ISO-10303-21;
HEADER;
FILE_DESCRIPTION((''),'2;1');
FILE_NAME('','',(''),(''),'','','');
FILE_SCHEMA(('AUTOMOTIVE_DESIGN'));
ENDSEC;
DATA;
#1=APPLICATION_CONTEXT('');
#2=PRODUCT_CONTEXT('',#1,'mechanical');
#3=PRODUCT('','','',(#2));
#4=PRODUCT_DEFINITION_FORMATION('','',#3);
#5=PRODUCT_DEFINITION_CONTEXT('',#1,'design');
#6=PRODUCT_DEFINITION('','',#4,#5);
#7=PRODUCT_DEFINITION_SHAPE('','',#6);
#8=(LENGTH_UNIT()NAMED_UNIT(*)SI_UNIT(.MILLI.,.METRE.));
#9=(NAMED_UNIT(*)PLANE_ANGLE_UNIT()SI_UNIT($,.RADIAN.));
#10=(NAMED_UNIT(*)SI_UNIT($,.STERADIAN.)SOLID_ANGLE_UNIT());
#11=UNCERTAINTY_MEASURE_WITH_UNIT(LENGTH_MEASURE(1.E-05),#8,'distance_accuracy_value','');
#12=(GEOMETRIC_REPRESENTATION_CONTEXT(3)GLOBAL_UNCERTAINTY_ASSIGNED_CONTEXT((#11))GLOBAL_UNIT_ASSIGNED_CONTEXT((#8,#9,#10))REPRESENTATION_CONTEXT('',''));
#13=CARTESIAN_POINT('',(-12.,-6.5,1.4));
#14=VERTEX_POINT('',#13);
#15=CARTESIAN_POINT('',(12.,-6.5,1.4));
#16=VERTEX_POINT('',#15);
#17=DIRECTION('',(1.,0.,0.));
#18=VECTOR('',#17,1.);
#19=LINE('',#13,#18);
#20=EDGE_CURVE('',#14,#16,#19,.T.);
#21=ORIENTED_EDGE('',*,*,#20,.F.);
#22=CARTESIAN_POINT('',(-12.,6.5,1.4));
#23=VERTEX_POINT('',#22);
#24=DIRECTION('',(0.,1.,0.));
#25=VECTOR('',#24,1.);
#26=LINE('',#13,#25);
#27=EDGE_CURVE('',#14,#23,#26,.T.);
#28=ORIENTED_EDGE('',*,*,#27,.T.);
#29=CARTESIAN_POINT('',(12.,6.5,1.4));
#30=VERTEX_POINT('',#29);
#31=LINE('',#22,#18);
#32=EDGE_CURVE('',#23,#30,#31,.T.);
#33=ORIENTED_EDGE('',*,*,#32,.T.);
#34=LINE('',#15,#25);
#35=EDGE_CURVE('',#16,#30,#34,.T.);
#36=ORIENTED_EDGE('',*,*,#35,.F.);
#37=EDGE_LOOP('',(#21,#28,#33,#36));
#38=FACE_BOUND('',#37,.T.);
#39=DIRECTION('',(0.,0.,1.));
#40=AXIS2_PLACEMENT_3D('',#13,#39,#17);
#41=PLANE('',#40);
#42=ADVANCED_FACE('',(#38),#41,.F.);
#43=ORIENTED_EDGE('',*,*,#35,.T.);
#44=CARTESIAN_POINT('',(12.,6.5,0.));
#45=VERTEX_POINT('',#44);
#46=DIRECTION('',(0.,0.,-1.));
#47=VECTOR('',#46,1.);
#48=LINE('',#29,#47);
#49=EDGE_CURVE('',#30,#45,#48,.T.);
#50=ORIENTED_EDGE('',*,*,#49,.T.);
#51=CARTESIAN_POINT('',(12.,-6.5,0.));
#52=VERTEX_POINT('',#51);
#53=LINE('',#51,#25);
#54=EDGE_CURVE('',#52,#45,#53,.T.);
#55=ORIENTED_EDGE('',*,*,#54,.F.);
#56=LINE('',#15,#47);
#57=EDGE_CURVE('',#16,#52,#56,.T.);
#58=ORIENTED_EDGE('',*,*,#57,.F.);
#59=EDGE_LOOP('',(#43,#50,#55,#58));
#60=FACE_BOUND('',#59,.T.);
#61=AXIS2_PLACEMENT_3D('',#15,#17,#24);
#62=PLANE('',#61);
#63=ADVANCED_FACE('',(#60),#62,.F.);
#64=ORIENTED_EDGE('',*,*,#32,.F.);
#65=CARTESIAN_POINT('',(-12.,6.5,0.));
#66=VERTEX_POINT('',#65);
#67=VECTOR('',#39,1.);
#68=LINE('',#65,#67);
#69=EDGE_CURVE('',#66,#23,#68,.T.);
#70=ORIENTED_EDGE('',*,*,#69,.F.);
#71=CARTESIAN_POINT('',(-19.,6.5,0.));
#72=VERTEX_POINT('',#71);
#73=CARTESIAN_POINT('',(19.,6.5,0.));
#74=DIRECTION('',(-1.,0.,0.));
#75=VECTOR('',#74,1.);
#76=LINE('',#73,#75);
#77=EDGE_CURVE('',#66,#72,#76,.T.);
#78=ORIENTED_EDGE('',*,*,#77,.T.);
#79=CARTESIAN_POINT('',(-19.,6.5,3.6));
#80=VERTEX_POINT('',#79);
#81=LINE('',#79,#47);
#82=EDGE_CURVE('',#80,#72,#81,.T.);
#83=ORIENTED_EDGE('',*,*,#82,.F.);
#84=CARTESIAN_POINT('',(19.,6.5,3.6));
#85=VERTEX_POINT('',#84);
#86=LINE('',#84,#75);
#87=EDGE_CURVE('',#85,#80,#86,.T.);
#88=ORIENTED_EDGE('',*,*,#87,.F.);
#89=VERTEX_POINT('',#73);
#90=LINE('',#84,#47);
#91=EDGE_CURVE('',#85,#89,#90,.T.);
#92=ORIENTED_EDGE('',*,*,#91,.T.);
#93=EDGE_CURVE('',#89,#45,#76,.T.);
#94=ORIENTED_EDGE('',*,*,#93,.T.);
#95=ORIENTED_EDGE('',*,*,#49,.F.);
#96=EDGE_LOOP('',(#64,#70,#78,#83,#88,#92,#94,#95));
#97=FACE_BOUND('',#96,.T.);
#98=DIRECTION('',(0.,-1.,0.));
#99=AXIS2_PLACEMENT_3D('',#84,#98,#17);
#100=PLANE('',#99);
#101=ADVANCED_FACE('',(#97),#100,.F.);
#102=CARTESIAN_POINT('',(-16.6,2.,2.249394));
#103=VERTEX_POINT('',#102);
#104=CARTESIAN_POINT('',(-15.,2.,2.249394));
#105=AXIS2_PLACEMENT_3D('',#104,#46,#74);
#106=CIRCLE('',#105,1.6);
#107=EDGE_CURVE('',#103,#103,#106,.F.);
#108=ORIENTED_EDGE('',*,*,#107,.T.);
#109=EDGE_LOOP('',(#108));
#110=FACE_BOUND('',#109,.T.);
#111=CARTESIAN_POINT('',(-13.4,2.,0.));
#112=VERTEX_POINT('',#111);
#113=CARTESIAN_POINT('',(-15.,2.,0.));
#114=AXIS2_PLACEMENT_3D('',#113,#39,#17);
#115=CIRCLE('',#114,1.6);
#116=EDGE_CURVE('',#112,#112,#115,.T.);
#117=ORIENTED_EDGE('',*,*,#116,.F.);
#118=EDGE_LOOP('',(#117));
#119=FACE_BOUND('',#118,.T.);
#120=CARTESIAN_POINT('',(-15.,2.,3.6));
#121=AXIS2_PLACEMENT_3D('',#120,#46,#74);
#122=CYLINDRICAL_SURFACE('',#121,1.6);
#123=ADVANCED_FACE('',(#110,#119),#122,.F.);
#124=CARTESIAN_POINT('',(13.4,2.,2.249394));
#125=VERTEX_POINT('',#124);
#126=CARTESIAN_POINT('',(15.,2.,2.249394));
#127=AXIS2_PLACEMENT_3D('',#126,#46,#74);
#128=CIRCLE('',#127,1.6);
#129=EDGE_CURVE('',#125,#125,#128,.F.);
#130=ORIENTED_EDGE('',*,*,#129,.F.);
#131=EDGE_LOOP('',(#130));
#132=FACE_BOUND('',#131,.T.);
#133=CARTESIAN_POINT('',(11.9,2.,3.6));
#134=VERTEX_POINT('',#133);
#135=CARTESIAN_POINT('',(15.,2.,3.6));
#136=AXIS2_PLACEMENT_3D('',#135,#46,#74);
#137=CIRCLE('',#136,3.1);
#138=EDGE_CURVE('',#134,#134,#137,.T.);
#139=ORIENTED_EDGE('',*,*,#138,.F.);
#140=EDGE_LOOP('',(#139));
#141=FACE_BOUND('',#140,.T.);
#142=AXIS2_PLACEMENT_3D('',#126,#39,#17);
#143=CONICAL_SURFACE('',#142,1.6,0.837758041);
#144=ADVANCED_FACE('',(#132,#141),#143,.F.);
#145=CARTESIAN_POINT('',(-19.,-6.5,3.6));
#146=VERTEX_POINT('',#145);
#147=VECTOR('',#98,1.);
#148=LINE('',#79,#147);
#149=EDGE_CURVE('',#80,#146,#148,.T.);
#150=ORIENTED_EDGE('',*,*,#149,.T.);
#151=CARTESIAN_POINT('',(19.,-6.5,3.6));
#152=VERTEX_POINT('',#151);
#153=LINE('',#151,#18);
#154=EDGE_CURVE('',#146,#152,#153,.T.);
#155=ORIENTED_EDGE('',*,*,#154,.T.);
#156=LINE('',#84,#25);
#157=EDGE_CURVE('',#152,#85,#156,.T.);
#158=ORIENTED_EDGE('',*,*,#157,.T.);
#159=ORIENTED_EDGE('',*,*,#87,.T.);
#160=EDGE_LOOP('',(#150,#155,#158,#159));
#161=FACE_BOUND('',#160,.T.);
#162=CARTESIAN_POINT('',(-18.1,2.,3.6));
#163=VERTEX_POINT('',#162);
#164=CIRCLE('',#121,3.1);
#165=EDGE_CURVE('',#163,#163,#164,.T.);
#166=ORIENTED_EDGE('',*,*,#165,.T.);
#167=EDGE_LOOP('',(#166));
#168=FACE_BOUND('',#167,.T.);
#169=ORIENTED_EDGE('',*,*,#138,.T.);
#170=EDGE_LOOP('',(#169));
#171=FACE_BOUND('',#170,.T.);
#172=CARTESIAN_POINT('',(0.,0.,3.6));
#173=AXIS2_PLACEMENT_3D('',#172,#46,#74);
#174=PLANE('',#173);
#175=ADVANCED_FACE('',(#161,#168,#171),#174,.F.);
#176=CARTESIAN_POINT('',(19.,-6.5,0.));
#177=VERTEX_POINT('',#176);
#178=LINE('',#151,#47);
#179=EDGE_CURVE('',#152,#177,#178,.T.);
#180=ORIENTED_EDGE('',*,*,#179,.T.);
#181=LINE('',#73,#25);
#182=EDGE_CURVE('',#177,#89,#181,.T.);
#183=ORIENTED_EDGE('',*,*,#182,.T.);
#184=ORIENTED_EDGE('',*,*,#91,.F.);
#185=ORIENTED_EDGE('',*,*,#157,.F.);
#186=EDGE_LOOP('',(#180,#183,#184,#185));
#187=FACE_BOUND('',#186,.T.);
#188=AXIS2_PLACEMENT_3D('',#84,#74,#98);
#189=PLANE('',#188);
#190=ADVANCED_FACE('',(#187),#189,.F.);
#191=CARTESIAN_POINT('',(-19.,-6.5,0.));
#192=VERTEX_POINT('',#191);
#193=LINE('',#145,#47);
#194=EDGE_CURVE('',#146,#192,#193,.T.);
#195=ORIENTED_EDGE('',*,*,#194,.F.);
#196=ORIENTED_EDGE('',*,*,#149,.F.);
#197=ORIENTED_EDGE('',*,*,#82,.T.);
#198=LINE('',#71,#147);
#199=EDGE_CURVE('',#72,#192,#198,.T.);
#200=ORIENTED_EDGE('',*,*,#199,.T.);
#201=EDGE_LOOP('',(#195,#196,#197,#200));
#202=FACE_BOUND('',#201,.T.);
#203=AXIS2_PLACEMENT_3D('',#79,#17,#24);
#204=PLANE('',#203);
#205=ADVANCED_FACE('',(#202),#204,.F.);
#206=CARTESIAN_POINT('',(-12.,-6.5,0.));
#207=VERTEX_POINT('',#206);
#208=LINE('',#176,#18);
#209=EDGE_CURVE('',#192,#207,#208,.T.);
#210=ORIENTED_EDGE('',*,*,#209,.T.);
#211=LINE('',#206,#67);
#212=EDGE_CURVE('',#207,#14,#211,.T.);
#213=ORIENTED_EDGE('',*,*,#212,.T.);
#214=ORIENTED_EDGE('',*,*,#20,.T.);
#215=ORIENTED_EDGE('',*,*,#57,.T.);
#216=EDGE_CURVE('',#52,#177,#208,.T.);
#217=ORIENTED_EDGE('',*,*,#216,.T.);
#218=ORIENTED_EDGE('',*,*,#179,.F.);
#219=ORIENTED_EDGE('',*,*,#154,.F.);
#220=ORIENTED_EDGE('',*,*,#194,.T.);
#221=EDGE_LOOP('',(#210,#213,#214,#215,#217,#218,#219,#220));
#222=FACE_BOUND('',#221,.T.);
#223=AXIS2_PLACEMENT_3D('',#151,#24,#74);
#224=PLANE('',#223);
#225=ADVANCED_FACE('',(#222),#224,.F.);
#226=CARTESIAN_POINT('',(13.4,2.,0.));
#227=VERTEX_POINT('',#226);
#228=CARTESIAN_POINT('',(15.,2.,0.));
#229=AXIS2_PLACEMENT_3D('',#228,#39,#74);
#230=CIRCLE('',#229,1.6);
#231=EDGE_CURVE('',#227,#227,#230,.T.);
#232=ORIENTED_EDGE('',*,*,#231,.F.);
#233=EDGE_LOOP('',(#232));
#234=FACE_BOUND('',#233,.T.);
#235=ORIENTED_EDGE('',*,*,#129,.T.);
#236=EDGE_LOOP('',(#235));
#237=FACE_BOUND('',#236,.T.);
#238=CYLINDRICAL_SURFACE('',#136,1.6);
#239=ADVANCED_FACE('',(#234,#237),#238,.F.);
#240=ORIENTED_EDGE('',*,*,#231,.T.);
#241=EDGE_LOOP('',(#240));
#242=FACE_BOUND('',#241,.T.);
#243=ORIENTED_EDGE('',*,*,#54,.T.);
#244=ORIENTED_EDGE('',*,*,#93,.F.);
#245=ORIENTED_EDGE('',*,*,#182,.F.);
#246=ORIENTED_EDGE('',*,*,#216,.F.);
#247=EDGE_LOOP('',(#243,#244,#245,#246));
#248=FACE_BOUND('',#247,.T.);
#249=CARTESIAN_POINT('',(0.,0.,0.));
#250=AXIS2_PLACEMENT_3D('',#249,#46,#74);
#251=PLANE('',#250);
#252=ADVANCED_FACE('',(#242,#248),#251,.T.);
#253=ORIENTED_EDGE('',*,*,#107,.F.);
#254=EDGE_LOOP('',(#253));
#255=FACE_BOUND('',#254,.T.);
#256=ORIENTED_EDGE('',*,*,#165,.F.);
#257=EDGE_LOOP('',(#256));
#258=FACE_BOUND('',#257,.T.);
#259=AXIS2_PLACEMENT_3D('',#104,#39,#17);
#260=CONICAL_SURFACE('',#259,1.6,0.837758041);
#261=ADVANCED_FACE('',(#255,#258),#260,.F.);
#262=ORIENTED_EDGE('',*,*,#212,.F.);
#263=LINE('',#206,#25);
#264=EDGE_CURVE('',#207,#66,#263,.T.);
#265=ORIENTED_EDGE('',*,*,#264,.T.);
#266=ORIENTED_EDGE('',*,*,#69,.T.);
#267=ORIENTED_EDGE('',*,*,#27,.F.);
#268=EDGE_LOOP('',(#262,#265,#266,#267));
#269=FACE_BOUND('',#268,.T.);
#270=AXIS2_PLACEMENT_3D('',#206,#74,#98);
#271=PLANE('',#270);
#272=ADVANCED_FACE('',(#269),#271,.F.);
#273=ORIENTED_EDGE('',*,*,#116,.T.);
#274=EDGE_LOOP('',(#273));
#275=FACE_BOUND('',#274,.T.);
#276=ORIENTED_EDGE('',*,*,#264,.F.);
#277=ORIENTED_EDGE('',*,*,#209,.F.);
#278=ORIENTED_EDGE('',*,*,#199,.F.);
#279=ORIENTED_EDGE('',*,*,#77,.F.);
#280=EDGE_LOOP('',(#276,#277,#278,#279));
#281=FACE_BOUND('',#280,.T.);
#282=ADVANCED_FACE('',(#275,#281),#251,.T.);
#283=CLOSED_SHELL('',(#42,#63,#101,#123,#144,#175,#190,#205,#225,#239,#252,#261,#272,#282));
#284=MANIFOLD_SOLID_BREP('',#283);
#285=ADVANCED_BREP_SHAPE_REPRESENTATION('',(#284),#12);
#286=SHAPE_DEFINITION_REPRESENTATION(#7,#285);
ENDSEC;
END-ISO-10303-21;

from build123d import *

# Parameters (mm, degrees)
SKETCH1_W           = 38
SKETCH1_H           = 13
SKETCH1_R           = 1.6
BOSS_EXTRUDE1_DEPTH = 3.6
SKETCH2_W           = 24
SKETCH2_H           = 1.4
CUT_EXTRUDE1_DEPTH  = 24.301502098
CHAMFER1_SIZE       = 1.5
CHAMFER1_SIZE2      = 1.350606066


with BuildPart() as part:
    # Sketch1 → Boss-Extrude1 (new body)
    with BuildSketch(Plane.XY):
        Rectangle(SKETCH1_W, SKETCH1_H)
        with Locations((-15, 2)):
            Circle(SKETCH1_R, mode=Mode.SUBTRACT)
        with Locations(Location((15, 2, 0), (0, 0, 180))):
            Circle(SKETCH1_R, mode=Mode.SUBTRACT)
    extrude(amount=BOSS_EXTRUDE1_DEPTH)

    # Sketch2 → Cut-Extrude1 (cut, through all)
    with BuildSketch(Plane(origin=(0, 6.5, 0), x_dir=(1, 0, 0), z_dir=(0, 1, 0))):
        with Locations((0, -0.7)):
            Rectangle(SKETCH2_W, SKETCH2_H)
    extrude(amount=-CUT_EXTRUDE1_DEPTH, mode=Mode.SUBTRACT)

    # Chamfer1
    chamfer1_edges = [part.edges().sort_by_distance(p)[0] for p in [
        (-16.6, 2, 3.6),
        (16.6, 2, 3.6),
    ]]
    chamfer1_side = [part.faces().sort_by_distance(p)[0] for p in [
        (0, -0.067313028, 3.6),
    ]]
    chamfer(chamfer1_edges, length=CHAMFER1_SIZE, length2=CHAMFER1_SIZE2, reference=chamfer1_side[0])


solid = part.part
